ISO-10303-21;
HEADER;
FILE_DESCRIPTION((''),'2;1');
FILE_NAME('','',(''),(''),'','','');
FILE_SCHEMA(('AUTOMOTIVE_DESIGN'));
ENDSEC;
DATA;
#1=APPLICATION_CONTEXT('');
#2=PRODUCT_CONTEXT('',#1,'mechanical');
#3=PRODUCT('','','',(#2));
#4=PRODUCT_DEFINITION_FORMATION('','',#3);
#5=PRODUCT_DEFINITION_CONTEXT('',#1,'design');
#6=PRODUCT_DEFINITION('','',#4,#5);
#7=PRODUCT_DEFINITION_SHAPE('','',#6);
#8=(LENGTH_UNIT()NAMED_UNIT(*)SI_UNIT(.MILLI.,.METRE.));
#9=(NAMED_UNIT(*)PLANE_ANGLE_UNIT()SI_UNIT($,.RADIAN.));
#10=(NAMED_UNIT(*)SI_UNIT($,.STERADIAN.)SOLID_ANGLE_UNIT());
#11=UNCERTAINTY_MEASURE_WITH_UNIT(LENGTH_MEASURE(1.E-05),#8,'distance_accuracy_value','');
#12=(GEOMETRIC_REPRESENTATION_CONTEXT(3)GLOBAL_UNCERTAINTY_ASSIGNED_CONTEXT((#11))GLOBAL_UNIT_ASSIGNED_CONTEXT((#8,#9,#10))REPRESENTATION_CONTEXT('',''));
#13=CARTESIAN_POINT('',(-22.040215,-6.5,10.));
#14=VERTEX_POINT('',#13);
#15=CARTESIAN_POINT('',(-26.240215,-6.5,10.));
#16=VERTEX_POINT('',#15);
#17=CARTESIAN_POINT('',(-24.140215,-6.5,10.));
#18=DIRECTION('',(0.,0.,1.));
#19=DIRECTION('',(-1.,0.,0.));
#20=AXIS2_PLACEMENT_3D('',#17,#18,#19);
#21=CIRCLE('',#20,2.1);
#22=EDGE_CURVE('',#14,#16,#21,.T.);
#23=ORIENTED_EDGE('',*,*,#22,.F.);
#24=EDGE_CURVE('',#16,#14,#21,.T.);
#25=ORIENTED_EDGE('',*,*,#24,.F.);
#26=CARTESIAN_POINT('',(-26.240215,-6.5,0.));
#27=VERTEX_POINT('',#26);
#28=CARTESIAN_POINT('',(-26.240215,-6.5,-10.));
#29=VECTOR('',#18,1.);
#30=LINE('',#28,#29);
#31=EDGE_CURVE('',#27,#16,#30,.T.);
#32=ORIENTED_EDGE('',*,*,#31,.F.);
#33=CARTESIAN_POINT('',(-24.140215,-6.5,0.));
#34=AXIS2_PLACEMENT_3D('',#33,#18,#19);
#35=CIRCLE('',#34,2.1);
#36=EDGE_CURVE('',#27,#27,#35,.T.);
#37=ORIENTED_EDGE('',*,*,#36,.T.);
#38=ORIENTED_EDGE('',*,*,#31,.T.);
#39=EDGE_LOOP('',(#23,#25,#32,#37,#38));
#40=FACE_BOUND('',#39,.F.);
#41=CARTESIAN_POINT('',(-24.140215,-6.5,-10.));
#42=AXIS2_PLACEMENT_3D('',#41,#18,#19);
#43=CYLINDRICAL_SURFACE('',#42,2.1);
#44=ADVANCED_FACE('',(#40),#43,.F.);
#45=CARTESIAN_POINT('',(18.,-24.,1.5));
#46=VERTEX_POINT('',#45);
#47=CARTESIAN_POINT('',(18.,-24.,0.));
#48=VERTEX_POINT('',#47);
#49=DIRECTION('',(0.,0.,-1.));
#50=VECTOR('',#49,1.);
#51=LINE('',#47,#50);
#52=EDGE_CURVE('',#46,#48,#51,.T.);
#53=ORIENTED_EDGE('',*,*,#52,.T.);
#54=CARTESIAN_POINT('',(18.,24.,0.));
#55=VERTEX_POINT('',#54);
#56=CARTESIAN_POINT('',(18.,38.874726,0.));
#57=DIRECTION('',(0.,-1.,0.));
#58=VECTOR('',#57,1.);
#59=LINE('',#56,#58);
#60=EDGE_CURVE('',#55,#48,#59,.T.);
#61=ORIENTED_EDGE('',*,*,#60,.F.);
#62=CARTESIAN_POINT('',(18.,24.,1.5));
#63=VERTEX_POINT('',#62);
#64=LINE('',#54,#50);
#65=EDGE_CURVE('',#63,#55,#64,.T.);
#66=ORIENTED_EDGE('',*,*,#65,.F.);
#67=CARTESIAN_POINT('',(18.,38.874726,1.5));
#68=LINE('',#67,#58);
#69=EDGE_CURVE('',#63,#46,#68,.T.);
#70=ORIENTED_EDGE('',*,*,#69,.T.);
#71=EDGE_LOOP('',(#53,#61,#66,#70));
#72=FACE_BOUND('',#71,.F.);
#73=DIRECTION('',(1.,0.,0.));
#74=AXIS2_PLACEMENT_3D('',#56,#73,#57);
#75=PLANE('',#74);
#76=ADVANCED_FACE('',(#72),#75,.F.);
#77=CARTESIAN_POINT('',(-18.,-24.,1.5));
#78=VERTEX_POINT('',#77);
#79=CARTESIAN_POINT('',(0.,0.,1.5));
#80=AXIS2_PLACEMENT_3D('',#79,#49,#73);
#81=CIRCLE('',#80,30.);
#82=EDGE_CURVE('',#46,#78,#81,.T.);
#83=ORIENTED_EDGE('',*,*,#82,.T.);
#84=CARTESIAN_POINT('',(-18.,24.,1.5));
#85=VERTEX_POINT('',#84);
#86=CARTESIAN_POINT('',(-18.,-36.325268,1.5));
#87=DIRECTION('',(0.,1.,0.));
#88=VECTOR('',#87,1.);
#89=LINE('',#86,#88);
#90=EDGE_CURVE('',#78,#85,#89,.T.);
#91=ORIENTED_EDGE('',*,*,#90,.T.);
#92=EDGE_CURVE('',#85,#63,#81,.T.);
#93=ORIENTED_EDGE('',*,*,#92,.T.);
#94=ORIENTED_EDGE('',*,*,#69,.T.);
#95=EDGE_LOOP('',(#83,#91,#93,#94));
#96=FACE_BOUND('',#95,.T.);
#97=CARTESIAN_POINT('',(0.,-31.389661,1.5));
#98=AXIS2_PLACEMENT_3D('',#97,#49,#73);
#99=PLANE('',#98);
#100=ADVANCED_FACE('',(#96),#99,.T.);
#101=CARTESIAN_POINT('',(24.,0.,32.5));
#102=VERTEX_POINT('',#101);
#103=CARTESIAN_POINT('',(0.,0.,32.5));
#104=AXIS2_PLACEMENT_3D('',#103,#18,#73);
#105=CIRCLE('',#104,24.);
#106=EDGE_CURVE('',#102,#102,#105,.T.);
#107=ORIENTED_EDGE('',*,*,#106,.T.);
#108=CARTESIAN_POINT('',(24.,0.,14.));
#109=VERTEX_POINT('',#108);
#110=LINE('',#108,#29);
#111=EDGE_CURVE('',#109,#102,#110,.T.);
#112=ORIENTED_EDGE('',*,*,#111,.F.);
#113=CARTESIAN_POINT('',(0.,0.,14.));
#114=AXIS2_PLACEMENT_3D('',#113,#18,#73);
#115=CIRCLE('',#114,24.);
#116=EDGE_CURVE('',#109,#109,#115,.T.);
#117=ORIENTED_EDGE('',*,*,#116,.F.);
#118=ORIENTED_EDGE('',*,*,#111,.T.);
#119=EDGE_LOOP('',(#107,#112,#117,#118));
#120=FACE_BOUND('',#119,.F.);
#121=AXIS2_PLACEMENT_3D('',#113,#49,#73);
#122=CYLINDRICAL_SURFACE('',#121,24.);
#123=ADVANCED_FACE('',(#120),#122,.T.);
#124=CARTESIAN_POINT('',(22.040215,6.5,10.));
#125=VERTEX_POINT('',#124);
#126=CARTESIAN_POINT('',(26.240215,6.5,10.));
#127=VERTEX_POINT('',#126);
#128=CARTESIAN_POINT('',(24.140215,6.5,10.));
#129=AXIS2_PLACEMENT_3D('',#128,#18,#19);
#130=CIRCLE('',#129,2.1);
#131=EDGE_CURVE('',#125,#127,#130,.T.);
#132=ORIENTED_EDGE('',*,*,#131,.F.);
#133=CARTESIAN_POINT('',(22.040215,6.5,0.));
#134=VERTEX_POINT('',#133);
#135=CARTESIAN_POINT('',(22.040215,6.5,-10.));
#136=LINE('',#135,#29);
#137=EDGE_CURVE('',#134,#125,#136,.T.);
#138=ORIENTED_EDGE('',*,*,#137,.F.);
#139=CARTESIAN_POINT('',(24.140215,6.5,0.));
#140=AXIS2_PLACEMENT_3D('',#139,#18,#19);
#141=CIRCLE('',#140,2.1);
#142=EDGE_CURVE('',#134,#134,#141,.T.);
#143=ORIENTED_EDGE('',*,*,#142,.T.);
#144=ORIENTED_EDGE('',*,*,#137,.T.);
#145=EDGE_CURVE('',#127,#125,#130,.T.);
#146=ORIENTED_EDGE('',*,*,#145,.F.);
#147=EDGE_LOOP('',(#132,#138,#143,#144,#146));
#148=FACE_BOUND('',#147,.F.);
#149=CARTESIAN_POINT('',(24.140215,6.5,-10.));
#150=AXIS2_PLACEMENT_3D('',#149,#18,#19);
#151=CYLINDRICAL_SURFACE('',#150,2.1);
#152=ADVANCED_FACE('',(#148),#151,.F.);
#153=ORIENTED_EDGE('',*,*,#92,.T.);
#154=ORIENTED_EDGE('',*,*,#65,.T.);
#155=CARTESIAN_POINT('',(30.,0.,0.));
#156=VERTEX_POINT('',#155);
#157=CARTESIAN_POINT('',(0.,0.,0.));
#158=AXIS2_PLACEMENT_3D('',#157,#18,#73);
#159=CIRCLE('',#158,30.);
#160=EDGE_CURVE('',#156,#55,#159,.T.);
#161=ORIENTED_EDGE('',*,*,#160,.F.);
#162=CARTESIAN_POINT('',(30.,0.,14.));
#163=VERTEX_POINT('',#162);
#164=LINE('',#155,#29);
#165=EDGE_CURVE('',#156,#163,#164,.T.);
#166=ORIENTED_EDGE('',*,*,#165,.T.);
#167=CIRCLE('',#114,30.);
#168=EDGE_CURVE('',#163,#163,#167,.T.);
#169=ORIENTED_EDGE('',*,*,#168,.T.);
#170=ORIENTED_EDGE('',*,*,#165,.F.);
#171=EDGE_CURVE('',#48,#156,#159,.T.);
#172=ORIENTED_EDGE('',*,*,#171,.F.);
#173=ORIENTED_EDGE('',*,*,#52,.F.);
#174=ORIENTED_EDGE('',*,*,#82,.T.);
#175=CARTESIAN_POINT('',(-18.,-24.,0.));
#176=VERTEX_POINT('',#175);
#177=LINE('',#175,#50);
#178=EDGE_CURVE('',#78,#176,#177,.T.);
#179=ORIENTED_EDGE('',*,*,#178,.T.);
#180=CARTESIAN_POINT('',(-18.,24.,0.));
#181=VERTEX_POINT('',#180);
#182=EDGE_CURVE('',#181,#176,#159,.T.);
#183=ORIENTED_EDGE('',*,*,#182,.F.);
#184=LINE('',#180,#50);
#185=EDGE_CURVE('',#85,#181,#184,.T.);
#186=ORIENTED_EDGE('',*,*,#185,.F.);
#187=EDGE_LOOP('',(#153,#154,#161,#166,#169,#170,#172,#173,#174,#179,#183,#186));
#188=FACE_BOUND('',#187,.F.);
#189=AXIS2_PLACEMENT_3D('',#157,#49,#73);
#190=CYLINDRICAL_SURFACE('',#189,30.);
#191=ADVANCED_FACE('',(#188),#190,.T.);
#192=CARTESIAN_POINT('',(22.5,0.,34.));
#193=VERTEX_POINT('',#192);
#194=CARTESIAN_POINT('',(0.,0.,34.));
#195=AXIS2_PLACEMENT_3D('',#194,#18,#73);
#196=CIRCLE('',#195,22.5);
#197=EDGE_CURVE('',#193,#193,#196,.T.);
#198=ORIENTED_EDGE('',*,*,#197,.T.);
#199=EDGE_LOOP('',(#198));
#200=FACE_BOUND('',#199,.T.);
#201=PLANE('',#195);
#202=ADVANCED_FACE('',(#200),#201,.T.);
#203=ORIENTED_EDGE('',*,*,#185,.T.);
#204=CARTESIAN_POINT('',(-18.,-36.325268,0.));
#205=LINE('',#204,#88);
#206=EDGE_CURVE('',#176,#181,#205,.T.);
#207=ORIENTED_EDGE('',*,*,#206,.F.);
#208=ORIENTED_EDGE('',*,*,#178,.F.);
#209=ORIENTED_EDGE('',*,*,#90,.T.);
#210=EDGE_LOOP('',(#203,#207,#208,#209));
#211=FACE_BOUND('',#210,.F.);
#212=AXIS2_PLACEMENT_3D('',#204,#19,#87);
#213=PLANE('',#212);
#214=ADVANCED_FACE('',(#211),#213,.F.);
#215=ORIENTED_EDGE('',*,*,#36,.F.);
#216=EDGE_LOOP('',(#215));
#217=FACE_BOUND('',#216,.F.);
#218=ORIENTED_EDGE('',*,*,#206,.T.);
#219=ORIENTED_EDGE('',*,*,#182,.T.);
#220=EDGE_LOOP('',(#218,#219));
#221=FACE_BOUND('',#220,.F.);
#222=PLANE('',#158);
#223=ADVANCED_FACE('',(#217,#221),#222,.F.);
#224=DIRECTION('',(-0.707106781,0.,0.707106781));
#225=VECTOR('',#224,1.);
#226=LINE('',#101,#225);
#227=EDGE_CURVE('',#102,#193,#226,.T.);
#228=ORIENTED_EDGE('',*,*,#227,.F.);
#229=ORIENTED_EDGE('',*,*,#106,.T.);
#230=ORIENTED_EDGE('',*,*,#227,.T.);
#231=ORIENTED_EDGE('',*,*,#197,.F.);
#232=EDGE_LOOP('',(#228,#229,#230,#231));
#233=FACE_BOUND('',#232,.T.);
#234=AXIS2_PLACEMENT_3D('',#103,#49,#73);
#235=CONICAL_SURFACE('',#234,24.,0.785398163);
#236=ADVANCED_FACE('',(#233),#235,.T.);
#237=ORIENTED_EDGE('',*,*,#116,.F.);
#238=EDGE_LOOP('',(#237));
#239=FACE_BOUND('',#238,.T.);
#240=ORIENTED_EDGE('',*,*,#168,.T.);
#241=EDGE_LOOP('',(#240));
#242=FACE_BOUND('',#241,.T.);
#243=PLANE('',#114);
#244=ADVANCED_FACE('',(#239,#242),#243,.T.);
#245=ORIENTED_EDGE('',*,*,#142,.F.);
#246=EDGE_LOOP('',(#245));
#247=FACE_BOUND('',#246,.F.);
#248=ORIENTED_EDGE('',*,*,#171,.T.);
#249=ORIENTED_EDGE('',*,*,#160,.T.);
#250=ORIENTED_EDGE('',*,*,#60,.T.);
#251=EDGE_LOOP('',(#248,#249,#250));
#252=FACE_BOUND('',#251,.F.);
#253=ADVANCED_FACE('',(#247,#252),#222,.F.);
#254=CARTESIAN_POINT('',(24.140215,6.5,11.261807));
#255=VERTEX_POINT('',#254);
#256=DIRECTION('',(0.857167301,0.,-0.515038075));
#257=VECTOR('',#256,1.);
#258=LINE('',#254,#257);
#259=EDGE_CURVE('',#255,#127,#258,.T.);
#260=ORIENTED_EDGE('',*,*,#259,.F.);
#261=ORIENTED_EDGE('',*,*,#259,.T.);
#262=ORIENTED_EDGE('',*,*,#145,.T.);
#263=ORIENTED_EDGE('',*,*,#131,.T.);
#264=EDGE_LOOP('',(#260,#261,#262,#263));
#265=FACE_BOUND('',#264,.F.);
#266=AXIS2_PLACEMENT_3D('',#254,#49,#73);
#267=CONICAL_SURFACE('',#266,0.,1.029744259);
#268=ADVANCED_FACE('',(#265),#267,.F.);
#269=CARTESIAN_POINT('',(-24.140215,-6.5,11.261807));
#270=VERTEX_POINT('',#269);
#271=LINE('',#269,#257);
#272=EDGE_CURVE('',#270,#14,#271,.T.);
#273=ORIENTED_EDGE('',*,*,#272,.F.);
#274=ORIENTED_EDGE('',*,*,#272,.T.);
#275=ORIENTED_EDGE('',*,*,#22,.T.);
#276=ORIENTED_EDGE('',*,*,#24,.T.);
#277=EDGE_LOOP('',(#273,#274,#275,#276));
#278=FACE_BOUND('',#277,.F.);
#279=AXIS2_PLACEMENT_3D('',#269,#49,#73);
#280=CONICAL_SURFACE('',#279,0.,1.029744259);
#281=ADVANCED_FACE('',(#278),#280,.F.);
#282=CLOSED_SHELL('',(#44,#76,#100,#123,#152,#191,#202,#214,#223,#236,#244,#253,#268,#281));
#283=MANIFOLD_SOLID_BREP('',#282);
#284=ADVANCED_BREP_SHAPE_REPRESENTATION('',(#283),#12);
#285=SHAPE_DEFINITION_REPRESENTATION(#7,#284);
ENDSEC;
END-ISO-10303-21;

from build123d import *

# Parameters (mm, degrees)
F0_R     = 30
F1_DEPTH = 14
F2_R     = 24
F3_DEPTH = 20
F4_SIZE  = 1.5
F6_DEPTH = 1.5
F8_D     = 4.2
F8_DEPTH = 10
F8_TIP   = 1.2618073


with BuildPart() as f1:
    # F0 (on Top) → F1 (new body)
    with BuildSketch(Plane.XY):
        Circle(F0_R)
    extrude(amount=F1_DEPTH)

    # F2 (on face) → F3 (join)
    with BuildSketch(Plane.XY.offset(14)):
        Circle(F2_R)
    extrude(amount=F3_DEPTH)

    # F4
    f4_edges = [f1.edges().sort_by_distance(p)[0] for p in [
        (-24, 0, 34),
    ]]
    chamfer(f4_edges, length=F4_SIZE)

    # F5 (on face) → F6 (cut)
    with BuildSketch(Plane(origin=(0, 0, 0), x_dir=(1, 0, 0), z_dir=(0, 0, -1))):
        with BuildLine():
            Line((18, 36.3252682028), (-18, 36.3252682028))
            Line((-18, 36.3252682028), (-18, 24))
            ThreePointArc((-18, 24), (0, 30), (18, 24))
            Line((18, 24), (18, 36.3252682028))
        make_face()
        with BuildLine():
            ThreePointArc((18, 24), (0, 30), (-18, 24))
            Line((-18, 24), (-18, -24))
            ThreePointArc((-18, -24), (0, -30), (18, -24))
            Line((18, -24), (18, 24))
        make_face()
        with BuildLine():
            ThreePointArc((18, -24), (0, -30), (-18, -24))
            Line((-18, -24), (-18, -38.8747264979))
            Line((-18, -38.8747264979), (18, -38.8747264979))
            Line((18, -38.8747264979), (18, -24))
        make_face()
    extrude(amount=-F6_DEPTH, mode=Mode.SUBTRACT)

    # F8
    with Locations(Plane(origin=(0, 0, 0), x_dir=(1, 0, 0), z_dir=(0, 0, -1))):
        with Locations((-24.1402154091, 6.5), (24.1402154091, -6.5)):
            Hole(F8_D / 2, depth=F8_DEPTH)
            with Locations((0, 0, -(F8_DEPTH + F8_TIP / 2))):  # 118° drill point
                Cone(0, F8_D / 2, F8_TIP, mode=Mode.SUBTRACT)


solid = f1.part
